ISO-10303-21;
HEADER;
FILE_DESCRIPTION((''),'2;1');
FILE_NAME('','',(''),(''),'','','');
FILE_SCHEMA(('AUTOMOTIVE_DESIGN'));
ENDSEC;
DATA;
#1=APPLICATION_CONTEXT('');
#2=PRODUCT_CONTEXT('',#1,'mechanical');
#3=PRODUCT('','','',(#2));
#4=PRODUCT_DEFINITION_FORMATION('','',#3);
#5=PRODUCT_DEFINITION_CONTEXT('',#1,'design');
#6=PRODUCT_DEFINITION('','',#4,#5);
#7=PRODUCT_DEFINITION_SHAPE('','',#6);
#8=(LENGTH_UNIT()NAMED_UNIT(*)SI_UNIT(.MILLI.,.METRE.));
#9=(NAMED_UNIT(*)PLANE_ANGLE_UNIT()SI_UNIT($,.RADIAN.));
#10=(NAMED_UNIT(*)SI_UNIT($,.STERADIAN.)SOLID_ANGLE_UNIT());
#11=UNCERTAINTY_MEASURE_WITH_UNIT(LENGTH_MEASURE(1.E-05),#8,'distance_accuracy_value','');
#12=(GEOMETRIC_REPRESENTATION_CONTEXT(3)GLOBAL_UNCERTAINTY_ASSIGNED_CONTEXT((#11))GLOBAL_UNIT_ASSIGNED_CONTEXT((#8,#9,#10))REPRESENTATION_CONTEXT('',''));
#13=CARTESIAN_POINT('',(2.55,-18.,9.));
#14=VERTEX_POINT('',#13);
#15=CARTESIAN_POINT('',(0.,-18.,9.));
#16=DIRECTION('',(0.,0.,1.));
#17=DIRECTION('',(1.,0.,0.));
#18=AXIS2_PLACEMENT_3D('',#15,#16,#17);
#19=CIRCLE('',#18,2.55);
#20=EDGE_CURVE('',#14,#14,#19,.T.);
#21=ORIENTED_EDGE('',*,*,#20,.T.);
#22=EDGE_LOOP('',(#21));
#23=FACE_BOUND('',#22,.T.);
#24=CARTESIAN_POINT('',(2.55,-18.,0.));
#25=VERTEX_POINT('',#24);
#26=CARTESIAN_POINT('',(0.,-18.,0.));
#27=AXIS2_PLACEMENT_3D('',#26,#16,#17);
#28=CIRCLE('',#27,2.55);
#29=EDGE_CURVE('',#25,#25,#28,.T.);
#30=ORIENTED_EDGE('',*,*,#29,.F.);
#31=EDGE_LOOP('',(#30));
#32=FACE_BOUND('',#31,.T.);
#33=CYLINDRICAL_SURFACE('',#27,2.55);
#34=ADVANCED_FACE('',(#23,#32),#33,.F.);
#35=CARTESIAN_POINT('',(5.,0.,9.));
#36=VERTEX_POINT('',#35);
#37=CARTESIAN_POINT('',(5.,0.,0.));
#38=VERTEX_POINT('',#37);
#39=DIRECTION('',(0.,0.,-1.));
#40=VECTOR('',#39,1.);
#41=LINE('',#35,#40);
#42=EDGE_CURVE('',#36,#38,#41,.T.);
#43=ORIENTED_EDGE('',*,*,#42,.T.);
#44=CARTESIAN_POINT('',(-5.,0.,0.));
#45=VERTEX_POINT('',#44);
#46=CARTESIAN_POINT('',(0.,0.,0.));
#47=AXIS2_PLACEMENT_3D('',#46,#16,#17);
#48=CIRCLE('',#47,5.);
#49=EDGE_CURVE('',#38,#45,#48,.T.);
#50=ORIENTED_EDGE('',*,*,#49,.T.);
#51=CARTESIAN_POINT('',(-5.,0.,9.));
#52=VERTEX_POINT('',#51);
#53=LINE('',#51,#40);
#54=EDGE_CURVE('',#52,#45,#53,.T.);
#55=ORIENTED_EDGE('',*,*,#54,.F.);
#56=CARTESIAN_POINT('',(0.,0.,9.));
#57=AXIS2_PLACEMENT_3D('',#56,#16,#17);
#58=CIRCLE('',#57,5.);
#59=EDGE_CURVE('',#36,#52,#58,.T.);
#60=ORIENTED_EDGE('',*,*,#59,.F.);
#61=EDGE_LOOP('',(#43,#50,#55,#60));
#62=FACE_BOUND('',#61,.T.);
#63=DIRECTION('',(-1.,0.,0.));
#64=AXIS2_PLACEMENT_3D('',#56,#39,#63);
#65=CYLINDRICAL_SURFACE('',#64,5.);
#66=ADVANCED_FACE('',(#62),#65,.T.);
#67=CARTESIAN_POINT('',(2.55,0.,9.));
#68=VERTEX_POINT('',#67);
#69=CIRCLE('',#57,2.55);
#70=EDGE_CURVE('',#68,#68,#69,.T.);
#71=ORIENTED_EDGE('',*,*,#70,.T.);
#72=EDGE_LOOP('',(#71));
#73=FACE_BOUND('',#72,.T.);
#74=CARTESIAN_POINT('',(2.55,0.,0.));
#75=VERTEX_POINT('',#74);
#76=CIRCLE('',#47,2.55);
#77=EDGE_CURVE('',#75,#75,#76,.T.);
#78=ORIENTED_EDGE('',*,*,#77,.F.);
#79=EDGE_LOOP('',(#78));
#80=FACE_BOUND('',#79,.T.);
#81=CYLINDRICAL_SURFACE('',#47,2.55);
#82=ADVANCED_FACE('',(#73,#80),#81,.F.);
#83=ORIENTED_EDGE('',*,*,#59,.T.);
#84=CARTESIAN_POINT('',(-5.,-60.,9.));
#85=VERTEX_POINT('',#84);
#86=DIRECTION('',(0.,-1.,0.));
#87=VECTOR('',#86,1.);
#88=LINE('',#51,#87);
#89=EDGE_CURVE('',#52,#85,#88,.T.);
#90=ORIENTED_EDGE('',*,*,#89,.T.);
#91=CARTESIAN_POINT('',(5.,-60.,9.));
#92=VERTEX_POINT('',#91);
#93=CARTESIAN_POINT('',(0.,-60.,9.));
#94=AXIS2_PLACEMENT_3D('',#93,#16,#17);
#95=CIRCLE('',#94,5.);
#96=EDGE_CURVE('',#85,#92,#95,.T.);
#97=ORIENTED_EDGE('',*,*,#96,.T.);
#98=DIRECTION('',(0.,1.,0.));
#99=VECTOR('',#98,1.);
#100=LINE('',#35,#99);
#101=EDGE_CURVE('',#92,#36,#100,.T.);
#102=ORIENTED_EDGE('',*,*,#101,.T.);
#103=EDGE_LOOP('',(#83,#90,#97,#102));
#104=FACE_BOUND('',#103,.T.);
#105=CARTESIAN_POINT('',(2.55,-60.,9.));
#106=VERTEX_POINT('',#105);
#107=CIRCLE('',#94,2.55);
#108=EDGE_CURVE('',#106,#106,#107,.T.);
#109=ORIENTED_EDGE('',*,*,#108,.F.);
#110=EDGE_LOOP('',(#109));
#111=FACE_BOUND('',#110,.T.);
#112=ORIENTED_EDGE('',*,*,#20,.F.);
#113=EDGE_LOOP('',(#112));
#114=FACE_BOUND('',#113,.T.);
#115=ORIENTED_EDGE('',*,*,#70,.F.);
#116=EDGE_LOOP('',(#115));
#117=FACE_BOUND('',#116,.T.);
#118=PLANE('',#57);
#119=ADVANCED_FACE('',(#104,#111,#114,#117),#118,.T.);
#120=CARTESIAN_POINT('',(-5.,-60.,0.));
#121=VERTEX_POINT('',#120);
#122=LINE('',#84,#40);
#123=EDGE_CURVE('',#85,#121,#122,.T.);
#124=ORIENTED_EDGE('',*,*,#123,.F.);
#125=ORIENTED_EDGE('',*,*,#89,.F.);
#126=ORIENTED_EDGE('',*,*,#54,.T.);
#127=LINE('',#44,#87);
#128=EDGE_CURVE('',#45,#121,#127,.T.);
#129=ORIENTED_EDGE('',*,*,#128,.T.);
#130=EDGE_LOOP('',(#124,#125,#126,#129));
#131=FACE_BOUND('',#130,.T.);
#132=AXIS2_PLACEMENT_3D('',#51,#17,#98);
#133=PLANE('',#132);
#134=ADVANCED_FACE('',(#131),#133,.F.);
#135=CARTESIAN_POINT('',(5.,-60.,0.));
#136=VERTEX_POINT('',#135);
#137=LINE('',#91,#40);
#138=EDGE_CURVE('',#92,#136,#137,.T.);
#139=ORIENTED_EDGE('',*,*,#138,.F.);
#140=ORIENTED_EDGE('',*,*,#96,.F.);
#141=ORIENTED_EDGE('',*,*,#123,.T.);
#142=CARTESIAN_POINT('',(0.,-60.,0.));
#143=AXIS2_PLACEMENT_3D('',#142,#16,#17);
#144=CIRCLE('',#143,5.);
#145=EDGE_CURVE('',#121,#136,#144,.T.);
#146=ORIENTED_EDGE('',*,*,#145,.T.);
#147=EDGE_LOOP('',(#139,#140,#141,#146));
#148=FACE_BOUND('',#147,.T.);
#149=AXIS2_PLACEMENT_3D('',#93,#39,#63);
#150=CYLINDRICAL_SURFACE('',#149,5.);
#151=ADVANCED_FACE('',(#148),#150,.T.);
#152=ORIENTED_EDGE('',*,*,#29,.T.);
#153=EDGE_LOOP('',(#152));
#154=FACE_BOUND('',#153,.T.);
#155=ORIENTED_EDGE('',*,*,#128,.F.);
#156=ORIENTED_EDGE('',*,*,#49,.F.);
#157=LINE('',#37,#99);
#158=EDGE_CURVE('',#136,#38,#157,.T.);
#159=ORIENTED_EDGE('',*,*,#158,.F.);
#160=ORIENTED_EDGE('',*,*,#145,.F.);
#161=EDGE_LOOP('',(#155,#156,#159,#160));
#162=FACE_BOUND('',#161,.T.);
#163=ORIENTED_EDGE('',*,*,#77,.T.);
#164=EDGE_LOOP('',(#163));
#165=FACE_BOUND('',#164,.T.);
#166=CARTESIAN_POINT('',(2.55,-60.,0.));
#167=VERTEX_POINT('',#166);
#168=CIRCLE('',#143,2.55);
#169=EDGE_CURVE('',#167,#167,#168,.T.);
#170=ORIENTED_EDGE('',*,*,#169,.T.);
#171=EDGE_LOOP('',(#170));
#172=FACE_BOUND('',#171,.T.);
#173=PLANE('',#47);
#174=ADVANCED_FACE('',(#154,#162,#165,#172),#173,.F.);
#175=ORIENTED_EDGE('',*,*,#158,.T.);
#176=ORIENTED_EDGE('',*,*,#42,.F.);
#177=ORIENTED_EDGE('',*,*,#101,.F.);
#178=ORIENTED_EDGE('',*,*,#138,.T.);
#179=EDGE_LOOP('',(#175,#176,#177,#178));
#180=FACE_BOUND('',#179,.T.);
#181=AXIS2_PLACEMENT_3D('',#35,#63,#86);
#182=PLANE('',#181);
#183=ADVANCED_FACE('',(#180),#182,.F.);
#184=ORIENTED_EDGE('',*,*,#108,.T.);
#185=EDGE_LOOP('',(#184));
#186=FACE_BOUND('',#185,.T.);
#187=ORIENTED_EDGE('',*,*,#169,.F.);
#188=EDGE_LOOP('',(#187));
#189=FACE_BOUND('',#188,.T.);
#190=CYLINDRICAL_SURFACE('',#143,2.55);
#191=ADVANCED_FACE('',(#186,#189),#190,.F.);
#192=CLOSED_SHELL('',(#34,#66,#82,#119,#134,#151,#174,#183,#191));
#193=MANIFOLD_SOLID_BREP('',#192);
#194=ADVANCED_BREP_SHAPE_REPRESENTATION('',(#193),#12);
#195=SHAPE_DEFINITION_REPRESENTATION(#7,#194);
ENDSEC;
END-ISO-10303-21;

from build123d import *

# Parameters (mm, degrees)
BOSS_EXTRUDE1_DEPTH = 9
SKETCH2_R           = 2.55
CUT_EXTRUDE1_DEPTH  = 10


with BuildPart() as part:
    # Sketch1 → Boss-Extrude1 (new body)
    with BuildSketch(Plane.XY):
        with BuildLine():
            Line((-5, 0), (-5, -60))
            ThreePointArc((-5, -60), (0, -65), (5, -60))
            Line((5, -60), (5, 0))
            ThreePointArc((5, 0), (0, 5), (-5, 0))
        make_face()
    extrude(amount=BOSS_EXTRUDE1_DEPTH)

    # Sketch2 → Cut-Extrude1 (cut, through all)
    with BuildSketch(Plane.XY.offset(9)):
        Circle(SKETCH2_R)
        with Locations((0, -60)):
            Circle(SKETCH2_R)
        with Locations((0, -18)):
            Circle(SKETCH2_R)
    extrude(amount=-CUT_EXTRUDE1_DEPTH, mode=Mode.SUBTRACT)


solid = part.part
